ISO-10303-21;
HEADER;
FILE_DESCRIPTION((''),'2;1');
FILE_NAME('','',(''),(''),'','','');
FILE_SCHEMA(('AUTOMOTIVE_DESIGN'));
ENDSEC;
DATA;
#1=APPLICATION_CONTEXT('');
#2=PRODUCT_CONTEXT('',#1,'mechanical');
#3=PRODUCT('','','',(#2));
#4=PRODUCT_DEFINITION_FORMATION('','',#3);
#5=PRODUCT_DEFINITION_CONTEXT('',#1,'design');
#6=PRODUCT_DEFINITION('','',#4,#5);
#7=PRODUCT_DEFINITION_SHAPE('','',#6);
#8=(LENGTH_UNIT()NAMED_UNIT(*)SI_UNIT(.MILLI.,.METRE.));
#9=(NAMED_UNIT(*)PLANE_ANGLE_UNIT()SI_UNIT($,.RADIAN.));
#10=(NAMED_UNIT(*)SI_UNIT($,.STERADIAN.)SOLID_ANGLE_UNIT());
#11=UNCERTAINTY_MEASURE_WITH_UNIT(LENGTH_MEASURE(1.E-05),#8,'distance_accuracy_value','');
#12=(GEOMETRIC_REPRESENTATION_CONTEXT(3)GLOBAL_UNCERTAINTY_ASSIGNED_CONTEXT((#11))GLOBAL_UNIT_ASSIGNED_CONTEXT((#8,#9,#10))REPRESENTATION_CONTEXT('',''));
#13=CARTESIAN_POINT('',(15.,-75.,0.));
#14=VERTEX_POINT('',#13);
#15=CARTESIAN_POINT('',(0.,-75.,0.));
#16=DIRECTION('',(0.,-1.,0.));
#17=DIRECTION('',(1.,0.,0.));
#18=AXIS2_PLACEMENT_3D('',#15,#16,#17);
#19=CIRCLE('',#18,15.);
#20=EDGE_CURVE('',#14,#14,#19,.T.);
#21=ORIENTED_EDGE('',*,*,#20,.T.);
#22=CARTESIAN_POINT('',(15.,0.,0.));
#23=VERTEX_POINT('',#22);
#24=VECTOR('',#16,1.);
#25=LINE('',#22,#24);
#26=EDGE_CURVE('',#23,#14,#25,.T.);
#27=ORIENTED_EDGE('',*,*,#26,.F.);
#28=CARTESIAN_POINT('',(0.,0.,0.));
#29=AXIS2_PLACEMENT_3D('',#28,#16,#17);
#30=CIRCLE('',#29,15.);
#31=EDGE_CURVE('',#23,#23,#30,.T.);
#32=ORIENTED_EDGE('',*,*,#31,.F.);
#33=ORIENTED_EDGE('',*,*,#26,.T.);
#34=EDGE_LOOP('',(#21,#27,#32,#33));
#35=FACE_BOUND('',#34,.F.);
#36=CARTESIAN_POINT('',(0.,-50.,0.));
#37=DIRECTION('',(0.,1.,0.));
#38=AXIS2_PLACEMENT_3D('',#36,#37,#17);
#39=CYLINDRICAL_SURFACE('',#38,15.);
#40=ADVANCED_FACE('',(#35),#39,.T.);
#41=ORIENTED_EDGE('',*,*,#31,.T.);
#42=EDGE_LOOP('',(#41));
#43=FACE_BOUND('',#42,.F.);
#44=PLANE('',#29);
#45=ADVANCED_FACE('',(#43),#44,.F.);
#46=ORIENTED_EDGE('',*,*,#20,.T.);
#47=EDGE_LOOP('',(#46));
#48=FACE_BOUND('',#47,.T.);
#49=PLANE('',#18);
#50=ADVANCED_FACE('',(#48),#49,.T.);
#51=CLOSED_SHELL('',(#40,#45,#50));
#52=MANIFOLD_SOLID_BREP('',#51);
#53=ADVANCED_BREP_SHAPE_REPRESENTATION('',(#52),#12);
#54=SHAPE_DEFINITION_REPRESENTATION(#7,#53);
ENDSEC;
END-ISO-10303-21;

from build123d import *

# Parameters (mm, degrees)
F0_R     = 15
F1_DEPTH = 25
F2_DEPTH = 25
F3_DEPTH = 25


with BuildPart() as f1:
    # F0 (on Front) → F1 (new body)
    with BuildSketch(Plane.XZ):
        Circle(F0_R)
    extrude(amount=F1_DEPTH)

    # F2 (add): a face of the model
    f2_faces = [f1.faces().sort_by_distance(p)[0] for p in [
        (0, -25, 0),
    ]]
    extrude(f2_faces, amount=F2_DEPTH)

    # F3 (add): a face of the model
    f3_faces = [f1.faces().sort_by_distance(p)[0] for p in [
        (0, -50, 0),
    ]]
    extrude(f3_faces, amount=F3_DEPTH)


solid = f1.part
